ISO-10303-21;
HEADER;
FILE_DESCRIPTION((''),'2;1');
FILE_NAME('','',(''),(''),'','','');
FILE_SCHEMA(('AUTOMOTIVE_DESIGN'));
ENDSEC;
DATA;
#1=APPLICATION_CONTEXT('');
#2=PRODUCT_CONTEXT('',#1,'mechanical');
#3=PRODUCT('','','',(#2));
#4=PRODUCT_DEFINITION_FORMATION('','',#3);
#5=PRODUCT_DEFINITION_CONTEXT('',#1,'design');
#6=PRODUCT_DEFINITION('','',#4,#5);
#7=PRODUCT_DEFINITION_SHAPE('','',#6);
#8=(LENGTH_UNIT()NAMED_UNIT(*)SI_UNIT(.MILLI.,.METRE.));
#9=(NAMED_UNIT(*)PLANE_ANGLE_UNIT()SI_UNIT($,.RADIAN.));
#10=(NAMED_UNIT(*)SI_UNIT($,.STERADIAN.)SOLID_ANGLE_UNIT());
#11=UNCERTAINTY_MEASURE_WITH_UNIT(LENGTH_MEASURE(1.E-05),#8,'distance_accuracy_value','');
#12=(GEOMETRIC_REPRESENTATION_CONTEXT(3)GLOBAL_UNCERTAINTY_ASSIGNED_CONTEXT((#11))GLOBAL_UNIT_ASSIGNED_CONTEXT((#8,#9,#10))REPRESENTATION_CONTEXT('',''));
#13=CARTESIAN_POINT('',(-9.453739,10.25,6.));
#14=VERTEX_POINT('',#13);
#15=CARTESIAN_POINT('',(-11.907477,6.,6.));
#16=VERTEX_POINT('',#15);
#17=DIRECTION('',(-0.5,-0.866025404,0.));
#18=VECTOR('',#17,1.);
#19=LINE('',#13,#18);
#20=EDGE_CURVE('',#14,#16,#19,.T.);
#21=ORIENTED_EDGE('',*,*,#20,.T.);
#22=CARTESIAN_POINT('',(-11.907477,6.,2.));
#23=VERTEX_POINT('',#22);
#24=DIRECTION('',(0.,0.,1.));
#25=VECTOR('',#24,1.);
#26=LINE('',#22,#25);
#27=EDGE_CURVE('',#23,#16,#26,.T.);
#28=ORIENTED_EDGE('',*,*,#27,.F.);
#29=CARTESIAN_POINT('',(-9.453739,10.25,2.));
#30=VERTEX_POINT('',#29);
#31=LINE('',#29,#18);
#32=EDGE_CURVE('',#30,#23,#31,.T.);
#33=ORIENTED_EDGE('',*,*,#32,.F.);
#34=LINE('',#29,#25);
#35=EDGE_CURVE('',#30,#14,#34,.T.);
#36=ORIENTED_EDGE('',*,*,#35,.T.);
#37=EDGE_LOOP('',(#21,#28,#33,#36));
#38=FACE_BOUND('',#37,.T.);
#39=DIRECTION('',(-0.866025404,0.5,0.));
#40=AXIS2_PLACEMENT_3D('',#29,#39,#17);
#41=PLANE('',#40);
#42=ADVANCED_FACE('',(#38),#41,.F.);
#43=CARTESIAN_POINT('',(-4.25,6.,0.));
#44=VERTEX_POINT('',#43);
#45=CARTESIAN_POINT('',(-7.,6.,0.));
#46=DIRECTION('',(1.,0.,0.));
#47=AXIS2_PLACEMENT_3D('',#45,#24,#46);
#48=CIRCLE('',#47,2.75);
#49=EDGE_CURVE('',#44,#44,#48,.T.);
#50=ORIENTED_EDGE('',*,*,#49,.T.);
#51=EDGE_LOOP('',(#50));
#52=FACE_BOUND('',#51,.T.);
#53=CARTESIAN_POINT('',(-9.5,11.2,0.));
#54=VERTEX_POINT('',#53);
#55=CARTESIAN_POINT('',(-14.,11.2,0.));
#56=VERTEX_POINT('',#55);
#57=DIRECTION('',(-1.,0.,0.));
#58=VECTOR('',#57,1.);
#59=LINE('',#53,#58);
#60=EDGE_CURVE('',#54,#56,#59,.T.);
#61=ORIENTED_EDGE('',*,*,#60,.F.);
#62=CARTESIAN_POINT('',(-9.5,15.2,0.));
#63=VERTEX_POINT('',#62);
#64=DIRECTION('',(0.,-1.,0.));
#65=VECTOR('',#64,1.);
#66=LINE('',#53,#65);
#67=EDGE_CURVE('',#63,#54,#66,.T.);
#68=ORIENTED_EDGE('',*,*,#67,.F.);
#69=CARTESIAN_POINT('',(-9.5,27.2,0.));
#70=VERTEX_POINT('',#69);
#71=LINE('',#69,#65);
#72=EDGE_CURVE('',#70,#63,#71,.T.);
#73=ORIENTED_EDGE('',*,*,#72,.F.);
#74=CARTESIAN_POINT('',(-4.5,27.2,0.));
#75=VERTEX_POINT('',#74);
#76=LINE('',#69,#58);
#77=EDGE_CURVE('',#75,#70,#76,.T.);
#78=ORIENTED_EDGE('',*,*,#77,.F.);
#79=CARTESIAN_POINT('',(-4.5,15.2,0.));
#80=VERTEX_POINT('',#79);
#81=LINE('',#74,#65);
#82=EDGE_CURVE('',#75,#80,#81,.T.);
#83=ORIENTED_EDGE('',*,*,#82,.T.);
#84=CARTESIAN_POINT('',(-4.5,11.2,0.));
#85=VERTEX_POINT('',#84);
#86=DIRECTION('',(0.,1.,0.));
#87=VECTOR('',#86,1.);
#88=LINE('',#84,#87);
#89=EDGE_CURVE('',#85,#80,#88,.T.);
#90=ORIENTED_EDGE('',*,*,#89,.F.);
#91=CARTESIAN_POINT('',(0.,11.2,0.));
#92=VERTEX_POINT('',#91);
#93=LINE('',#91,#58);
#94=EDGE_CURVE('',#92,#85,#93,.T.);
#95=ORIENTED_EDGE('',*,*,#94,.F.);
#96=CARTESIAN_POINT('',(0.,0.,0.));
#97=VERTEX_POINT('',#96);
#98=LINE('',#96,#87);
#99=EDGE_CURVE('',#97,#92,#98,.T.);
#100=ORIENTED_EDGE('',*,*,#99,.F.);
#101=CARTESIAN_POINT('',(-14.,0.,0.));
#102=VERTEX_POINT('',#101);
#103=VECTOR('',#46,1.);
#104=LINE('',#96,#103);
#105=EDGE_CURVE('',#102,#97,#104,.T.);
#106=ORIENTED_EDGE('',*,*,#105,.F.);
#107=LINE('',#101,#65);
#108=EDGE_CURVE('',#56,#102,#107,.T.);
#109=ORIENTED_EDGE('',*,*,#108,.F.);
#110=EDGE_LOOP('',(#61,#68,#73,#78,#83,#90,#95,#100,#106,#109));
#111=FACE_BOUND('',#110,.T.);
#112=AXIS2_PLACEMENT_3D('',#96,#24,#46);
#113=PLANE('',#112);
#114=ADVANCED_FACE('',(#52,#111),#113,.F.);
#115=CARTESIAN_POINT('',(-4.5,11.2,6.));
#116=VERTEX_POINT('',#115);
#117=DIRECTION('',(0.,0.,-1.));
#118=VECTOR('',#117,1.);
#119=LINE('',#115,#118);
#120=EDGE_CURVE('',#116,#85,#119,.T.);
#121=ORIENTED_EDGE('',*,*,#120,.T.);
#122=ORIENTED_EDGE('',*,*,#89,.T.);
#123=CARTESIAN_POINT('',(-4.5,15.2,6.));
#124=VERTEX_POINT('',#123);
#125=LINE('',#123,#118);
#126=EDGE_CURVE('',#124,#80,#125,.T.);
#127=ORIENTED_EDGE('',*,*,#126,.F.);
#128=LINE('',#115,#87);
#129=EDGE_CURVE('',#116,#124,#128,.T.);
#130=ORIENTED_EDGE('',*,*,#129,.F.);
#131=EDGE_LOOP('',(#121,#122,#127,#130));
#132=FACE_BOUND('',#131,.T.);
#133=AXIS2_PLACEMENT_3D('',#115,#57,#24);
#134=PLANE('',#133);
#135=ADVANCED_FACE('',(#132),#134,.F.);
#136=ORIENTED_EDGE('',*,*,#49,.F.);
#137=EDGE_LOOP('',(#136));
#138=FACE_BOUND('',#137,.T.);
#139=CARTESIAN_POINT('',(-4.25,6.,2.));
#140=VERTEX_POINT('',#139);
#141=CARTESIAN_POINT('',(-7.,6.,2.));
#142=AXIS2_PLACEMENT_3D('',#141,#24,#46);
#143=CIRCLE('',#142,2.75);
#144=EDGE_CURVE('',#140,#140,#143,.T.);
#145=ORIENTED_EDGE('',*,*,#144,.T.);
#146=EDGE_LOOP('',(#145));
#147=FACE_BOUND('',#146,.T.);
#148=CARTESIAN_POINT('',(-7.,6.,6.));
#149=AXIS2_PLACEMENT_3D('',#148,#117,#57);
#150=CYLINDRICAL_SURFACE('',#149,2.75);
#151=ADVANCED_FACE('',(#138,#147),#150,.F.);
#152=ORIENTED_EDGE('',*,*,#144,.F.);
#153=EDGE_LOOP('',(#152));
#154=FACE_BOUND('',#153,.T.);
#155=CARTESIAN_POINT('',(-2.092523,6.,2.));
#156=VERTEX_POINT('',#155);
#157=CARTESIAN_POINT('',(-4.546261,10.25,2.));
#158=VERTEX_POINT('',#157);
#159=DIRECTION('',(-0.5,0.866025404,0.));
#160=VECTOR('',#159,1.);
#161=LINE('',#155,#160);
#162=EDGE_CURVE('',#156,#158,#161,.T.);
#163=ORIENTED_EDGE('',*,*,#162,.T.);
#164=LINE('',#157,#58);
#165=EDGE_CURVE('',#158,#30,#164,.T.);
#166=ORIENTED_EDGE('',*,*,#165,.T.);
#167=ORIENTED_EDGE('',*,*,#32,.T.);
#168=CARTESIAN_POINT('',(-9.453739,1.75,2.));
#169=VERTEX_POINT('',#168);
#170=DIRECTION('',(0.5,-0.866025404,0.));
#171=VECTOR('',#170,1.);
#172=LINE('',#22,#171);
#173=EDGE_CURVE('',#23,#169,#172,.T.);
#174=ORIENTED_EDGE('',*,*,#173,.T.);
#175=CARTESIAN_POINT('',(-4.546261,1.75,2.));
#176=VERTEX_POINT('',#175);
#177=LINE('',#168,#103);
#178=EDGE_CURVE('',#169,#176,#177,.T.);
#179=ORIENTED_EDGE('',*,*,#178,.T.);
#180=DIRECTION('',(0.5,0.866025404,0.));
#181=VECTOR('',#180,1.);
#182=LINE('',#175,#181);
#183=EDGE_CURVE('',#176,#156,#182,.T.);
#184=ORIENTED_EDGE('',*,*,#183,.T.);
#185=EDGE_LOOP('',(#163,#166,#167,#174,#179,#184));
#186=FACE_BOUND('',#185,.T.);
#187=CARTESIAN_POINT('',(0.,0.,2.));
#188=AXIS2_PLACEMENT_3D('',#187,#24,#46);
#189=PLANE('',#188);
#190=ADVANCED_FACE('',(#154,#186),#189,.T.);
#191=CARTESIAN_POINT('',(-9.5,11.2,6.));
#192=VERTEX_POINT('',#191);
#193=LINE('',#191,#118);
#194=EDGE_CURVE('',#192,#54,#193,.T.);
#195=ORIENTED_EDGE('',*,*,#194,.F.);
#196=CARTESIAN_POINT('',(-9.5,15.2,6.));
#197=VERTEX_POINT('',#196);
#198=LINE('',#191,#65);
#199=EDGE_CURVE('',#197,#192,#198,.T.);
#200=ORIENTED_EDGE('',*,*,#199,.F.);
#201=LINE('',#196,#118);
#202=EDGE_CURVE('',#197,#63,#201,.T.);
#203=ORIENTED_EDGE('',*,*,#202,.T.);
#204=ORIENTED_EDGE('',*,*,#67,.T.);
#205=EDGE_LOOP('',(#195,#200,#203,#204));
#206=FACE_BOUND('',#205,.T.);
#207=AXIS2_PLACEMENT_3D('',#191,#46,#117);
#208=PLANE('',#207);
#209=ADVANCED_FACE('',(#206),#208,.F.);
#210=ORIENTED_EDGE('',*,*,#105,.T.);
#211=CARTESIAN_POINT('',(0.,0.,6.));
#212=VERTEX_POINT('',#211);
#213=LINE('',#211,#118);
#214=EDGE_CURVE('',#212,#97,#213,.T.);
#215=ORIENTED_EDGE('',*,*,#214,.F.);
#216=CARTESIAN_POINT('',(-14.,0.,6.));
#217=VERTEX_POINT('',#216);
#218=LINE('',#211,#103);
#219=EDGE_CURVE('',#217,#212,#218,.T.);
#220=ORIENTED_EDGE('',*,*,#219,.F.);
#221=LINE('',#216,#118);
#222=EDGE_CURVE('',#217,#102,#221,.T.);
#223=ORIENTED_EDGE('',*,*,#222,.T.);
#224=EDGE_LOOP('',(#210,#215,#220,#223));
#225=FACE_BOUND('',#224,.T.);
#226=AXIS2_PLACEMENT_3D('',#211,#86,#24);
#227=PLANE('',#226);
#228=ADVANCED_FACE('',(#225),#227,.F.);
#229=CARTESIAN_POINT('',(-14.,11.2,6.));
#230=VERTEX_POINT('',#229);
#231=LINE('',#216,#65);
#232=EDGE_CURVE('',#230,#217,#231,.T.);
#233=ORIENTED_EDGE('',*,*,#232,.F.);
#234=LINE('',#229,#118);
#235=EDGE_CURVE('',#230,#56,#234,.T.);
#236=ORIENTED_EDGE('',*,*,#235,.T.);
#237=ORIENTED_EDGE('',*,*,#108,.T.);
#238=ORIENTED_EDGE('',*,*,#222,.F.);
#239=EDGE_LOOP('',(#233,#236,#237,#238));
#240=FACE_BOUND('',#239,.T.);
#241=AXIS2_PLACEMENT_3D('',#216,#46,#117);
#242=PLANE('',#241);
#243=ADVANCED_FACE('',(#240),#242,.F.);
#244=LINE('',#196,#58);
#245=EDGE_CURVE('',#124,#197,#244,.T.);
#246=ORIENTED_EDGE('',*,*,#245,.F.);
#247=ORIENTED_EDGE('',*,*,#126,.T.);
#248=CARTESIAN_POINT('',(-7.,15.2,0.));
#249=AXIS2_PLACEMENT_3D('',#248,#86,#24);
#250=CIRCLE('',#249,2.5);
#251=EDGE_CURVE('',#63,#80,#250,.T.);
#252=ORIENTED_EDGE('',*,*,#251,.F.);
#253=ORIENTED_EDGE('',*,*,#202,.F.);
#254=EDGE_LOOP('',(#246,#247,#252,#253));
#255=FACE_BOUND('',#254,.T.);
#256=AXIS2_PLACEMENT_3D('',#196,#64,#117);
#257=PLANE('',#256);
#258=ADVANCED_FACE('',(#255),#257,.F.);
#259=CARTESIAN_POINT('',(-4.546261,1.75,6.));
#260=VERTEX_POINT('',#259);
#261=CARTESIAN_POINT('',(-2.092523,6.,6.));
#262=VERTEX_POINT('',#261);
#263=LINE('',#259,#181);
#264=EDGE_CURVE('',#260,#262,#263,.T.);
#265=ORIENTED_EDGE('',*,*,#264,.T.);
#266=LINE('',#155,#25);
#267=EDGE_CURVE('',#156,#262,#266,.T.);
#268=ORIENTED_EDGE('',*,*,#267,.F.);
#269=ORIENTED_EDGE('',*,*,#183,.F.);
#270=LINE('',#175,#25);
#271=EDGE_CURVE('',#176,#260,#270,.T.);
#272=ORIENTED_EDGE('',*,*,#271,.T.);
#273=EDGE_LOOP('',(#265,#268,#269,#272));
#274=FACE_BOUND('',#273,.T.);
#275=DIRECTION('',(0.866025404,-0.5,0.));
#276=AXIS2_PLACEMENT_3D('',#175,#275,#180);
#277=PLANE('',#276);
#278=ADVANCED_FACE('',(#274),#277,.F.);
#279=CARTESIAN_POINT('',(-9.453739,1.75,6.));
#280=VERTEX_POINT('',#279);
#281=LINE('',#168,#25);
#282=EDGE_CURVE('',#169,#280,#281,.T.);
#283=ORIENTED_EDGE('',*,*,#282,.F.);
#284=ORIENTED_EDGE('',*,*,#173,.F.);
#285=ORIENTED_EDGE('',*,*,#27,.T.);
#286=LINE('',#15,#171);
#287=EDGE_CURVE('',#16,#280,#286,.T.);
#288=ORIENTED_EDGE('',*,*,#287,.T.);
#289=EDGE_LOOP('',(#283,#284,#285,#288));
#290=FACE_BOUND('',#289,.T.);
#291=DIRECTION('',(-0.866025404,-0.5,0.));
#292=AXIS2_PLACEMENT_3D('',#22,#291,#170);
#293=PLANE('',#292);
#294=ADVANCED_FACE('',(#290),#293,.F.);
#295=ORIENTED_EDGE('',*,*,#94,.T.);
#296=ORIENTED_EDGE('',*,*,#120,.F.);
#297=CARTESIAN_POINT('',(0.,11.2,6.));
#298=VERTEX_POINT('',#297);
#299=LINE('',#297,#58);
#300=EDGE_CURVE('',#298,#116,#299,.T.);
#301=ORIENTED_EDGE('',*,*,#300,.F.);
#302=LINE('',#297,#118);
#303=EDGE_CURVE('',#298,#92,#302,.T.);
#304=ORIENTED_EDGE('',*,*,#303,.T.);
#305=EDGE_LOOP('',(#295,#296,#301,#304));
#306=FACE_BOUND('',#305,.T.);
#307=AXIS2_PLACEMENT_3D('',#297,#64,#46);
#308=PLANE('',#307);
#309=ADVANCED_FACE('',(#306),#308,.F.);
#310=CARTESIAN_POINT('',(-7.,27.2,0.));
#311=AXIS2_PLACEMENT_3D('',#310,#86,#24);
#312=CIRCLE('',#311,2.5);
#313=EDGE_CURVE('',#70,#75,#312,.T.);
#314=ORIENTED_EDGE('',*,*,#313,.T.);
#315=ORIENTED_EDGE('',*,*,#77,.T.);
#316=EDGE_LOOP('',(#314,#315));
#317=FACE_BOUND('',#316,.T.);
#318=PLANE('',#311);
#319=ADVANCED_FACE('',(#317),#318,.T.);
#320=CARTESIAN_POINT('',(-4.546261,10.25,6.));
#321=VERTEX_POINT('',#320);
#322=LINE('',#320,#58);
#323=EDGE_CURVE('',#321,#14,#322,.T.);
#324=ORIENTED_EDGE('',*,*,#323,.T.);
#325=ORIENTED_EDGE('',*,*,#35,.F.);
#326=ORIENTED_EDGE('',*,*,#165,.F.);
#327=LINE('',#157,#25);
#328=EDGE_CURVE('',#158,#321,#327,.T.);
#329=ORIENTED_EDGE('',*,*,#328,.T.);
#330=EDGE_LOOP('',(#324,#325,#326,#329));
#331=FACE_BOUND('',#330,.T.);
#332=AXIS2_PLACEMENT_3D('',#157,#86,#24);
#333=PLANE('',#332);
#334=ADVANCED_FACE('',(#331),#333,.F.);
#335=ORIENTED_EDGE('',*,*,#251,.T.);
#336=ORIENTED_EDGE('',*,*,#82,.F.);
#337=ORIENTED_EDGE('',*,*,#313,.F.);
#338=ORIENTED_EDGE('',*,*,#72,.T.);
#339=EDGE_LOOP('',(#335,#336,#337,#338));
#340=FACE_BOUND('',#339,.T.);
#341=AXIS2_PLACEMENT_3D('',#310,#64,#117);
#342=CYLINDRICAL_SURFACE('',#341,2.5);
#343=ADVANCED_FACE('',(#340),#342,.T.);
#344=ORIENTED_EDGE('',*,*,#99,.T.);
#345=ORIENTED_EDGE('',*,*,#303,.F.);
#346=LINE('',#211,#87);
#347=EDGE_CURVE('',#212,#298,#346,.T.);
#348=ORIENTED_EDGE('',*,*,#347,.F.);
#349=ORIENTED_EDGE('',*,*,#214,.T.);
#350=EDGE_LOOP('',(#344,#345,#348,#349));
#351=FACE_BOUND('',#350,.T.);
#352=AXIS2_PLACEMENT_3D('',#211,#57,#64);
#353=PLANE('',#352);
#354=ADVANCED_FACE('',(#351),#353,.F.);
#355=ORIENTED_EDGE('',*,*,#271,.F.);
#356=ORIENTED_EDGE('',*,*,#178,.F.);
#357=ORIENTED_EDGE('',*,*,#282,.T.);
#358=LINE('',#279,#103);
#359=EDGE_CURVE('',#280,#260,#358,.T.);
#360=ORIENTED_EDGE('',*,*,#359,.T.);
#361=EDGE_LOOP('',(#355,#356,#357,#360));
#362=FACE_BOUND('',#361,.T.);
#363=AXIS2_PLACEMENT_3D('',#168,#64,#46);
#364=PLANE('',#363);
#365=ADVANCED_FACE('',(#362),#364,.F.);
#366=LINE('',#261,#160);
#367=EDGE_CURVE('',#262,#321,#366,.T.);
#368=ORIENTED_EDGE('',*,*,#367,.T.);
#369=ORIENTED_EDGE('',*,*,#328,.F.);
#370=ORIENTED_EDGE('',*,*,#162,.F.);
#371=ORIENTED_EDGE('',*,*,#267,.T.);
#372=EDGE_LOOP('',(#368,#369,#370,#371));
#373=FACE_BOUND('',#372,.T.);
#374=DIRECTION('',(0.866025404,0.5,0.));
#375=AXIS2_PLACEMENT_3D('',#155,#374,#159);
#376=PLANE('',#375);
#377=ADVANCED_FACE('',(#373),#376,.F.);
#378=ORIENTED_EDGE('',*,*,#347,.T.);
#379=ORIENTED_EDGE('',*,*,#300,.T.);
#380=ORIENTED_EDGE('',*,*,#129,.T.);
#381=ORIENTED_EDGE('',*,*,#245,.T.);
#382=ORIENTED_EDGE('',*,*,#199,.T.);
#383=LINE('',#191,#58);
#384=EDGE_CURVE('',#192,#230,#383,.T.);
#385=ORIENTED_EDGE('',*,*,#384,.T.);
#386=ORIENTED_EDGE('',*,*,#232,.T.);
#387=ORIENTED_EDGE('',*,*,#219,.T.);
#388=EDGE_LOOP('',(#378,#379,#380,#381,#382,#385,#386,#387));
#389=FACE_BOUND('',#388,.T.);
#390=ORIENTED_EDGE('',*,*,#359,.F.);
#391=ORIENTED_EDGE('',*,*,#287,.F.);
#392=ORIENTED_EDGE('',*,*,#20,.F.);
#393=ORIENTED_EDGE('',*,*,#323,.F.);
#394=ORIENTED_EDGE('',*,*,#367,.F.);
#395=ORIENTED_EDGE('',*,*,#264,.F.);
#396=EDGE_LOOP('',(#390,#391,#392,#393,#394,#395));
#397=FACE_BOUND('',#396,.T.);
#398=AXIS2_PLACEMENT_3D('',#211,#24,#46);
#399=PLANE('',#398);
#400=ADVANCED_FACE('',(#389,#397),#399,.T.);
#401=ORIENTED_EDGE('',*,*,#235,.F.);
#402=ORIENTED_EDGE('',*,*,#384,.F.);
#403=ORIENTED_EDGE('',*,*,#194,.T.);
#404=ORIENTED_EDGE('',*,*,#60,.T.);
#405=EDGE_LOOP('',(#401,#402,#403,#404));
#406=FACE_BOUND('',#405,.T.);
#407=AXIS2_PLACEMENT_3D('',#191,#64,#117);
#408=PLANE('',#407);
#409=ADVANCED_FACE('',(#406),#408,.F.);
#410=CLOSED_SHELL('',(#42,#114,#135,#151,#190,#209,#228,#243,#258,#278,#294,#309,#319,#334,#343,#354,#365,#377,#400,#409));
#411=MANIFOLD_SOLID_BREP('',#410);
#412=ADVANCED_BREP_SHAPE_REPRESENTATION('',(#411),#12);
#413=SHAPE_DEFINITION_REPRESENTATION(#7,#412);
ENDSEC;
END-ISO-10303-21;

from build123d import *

# Parameters (mm, degrees)
CROQUIS1_R              = 2.75
SALIENTE_EXTRUIR1_DEPTH = 6
SALIENTE_EXTRUIR2_DEPTH = 12
CORTAR_EXTRUIR1_DEPTH   = 4


with BuildPart() as part:
    # Croquis1 → Saliente-Extruir1 (new body)
    with BuildSketch(Plane.XY):
        Polygon((-9.5, 11.2), (-14, 11.2), (-14, 0), (0, 0), (0, 11.2), (-4.5, 11.2), (-4.5, 15.2), (-9.5, 15.2), align=None)
        with Locations((-7, 6)):
            Circle(CROQUIS1_R, mode=Mode.SUBTRACT)
    extrude(amount=SALIENTE_EXTRUIR1_DEPTH)

    # Croquis2 → Saliente-Extruir2 (add)
    with BuildSketch(Plane(origin=(0, 15.2, 0), x_dir=(1, 0, 0), z_dir=(0, 1, 0))):
        with BuildLine():
            Line((-9.5, 0), (-4.5, 0))
            ThreePointArc((-4.5, 0), (-7, -2.5), (-9.5, 0))
        make_face()
    extrude(amount=SALIENTE_EXTRUIR2_DEPTH)

    # Croquis3 → Cortar-Extruir1 (cut)
    with BuildSketch(Plane.XY.offset(6)):
        Polygon((-2.092522712, 6), (-4.546261356, 10.25), (-9.453738644, 10.25), (-11.907477288, 6), (-9.453738644, 1.75), (-4.546261356, 1.75), align=None)
    extrude(amount=-CORTAR_EXTRUIR1_DEPTH, mode=Mode.SUBTRACT)


solid = part.part
